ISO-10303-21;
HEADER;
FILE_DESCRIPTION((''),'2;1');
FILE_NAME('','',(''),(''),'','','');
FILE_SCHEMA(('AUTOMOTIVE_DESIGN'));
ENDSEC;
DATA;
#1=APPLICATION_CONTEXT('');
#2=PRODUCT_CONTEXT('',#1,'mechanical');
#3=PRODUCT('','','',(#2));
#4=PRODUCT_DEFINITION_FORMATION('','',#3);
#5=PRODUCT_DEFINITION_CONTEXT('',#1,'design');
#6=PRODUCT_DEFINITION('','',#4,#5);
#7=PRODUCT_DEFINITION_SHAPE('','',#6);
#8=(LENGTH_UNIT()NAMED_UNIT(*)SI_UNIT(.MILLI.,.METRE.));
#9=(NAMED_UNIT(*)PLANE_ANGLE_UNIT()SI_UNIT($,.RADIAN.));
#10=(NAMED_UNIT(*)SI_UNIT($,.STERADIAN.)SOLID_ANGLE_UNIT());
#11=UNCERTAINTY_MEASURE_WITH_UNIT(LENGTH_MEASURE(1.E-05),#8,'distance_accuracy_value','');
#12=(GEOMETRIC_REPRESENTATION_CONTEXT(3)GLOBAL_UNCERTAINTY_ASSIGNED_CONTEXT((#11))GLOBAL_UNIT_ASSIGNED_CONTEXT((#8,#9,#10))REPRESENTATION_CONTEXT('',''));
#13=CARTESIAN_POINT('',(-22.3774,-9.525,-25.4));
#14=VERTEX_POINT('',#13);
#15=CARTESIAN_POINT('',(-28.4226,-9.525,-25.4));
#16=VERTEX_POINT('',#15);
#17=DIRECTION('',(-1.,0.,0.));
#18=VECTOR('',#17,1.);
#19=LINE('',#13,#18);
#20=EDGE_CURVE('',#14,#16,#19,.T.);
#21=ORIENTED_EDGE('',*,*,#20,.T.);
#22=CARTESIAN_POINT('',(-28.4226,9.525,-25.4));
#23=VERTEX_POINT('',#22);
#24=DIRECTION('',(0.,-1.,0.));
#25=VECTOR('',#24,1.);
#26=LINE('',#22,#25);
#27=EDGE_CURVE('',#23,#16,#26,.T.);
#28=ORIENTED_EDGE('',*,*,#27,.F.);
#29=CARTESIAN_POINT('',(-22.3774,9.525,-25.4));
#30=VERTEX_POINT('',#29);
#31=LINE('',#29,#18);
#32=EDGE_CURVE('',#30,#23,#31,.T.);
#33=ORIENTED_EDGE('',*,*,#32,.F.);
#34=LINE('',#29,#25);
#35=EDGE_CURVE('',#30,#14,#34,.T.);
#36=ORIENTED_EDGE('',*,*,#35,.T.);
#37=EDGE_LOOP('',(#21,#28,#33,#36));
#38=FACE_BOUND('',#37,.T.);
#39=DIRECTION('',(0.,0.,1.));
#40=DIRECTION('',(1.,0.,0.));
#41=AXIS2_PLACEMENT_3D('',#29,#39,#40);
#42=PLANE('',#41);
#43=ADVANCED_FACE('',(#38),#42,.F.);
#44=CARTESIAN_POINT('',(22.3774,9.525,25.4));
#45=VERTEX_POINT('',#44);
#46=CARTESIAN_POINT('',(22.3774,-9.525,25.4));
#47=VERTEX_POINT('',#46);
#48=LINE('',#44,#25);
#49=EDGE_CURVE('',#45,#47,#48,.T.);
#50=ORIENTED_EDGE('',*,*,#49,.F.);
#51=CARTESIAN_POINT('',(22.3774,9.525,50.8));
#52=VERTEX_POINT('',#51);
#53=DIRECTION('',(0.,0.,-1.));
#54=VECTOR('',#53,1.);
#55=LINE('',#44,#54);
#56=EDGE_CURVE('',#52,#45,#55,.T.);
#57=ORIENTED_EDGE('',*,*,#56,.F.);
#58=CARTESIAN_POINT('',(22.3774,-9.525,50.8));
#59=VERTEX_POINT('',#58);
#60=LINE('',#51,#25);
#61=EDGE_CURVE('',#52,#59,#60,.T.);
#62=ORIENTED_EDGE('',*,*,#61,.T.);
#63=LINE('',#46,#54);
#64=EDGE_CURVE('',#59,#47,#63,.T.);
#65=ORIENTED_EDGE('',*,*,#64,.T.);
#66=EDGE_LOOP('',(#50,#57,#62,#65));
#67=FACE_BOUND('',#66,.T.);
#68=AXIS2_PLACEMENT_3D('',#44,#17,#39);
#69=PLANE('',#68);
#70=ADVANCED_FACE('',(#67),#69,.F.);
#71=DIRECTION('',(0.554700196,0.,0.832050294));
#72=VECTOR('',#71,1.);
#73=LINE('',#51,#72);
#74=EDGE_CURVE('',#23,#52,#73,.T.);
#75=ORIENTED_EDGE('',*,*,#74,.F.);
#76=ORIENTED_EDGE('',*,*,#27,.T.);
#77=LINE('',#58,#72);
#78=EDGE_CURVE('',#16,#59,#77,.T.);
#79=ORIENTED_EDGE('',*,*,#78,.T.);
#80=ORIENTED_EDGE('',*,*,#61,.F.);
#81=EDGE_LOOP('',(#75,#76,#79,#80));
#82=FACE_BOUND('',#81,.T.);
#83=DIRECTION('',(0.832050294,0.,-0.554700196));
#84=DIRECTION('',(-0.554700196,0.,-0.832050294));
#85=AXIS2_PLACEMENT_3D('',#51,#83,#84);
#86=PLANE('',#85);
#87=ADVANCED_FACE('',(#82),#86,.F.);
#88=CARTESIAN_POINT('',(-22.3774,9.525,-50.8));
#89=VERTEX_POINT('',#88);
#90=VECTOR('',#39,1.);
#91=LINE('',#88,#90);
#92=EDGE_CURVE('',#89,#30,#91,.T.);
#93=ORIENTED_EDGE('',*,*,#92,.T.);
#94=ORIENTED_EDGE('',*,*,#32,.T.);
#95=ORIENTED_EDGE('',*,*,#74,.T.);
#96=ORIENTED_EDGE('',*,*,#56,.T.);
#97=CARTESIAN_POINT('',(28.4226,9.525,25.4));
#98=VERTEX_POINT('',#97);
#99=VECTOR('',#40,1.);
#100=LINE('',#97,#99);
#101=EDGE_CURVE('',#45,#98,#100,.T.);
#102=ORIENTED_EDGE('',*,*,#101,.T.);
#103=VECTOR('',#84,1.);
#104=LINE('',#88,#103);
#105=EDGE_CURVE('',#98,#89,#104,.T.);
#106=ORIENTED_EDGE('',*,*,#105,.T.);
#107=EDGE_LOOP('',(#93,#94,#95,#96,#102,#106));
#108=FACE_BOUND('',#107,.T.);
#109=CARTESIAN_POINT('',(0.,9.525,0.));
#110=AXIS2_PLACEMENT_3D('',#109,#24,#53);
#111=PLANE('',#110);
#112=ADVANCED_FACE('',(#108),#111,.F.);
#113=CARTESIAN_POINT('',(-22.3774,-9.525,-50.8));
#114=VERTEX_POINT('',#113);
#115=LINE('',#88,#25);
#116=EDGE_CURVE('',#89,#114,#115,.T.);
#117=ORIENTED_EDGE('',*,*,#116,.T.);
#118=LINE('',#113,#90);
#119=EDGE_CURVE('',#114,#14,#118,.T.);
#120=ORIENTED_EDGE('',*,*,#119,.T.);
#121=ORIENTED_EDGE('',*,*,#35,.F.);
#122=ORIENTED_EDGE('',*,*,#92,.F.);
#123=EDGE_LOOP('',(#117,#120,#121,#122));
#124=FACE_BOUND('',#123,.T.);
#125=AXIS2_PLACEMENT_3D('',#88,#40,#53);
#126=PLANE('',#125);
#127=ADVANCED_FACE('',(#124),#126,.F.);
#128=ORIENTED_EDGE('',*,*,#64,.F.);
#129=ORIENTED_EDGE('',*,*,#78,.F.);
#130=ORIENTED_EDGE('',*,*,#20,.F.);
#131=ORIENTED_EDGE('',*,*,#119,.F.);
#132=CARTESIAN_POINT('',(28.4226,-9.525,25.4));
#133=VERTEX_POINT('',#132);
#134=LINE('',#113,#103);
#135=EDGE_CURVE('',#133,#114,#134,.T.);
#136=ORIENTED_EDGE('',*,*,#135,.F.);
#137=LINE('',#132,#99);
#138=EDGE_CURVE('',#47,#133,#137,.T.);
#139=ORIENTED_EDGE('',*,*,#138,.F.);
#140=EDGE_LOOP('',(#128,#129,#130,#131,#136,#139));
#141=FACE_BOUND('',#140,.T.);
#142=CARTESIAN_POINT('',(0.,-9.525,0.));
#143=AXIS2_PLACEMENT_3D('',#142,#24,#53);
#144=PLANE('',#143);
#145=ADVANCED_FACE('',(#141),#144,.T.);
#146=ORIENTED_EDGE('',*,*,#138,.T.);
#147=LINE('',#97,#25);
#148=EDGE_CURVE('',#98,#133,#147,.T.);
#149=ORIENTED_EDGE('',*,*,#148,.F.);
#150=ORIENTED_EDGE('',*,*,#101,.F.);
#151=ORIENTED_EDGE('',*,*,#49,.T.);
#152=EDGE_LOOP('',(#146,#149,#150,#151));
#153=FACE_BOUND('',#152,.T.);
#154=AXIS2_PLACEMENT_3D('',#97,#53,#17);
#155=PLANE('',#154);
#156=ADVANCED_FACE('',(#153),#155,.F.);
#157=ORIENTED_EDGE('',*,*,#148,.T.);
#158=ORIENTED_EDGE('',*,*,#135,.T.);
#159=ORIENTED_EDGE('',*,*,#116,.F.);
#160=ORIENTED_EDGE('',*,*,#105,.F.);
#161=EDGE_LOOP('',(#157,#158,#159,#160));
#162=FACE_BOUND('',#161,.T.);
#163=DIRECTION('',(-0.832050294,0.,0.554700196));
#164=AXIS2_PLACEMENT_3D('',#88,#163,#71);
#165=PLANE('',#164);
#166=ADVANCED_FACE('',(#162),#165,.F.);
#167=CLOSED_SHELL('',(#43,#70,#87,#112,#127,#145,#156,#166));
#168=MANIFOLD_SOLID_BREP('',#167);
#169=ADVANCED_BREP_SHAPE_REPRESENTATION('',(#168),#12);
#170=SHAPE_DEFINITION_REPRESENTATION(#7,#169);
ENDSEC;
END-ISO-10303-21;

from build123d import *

# Parameters (mm, degrees)
BOSS_EXTRUDE1_DEPTH = 9.525


with BuildPart() as part:
    # Sketch1 → Boss-Extrude1 (new, symmetric)
    with BuildSketch(Plane(origin=(0, 0, 0), x_dir=(1, 0, 0), z_dir=(0, 1, 0))):
        Polygon((22.3774, -50.8), (-28.4226, 25.4), (-22.3774, 25.4), (-22.3774, 50.8), (28.4226, -25.4), (22.3774, -25.4), align=None)
    extrude(amount=BOSS_EXTRUDE1_DEPTH, both=True)


solid = part.part
